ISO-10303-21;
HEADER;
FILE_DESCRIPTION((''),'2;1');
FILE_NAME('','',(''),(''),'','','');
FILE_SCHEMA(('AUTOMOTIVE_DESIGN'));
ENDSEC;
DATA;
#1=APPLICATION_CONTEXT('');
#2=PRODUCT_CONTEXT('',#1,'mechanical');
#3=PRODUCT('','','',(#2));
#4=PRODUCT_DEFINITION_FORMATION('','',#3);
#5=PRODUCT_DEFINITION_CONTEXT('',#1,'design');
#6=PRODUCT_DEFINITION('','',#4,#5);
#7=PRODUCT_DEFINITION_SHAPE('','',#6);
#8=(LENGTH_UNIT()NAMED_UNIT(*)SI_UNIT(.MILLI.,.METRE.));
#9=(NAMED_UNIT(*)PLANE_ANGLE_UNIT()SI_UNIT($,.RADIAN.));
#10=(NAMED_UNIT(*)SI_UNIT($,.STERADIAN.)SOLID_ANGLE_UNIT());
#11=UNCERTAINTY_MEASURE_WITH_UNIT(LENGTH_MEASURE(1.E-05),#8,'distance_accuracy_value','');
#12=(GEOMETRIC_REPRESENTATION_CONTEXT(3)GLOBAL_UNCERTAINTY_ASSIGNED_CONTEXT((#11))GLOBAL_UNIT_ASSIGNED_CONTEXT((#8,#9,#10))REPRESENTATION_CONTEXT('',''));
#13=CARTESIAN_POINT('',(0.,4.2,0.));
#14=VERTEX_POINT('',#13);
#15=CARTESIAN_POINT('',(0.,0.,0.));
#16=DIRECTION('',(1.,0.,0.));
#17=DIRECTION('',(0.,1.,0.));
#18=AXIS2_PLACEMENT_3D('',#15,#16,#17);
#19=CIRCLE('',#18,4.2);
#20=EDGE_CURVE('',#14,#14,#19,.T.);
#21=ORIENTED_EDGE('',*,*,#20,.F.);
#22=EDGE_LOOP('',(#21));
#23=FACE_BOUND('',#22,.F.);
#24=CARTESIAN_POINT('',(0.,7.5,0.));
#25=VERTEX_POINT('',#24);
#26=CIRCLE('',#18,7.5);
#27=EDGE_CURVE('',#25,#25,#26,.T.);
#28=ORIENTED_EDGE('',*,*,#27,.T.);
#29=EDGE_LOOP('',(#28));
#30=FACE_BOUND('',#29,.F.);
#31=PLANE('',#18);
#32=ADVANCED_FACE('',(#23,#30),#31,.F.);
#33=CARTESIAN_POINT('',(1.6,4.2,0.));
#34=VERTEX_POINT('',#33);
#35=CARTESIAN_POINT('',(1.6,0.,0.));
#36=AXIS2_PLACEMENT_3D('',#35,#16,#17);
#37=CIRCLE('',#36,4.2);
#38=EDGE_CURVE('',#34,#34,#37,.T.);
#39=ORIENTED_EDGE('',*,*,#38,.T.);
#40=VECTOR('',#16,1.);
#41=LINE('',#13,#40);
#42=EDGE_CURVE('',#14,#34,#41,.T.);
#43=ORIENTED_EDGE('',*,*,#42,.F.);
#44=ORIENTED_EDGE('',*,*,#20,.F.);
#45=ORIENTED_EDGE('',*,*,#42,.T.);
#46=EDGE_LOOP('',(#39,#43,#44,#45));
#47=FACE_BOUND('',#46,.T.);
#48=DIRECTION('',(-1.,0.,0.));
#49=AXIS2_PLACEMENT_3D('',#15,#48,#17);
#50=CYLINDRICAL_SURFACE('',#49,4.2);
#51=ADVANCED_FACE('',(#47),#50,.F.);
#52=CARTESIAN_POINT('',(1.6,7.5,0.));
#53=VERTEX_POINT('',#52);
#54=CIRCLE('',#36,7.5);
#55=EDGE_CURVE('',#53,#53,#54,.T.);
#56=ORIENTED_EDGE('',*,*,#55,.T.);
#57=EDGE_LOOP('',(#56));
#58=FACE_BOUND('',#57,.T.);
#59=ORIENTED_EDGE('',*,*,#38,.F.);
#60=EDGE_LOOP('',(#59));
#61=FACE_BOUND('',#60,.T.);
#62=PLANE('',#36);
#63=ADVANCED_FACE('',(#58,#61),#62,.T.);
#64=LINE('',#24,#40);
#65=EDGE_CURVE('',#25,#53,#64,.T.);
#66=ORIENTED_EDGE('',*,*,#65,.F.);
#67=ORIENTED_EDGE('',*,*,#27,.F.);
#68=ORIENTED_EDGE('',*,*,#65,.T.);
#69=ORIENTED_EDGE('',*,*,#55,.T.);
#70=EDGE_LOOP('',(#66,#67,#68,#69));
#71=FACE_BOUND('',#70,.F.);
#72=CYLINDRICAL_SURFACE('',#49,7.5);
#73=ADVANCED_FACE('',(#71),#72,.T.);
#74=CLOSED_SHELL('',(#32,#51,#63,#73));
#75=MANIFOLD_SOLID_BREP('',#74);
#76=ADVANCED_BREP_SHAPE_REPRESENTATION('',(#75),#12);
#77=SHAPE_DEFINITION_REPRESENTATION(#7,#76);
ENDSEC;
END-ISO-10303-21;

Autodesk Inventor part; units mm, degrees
ref_plane "YZ Plane" through (0, 0, 0) normal (1, 0, 0) x (0, 1, 0)
ref_plane "XZ Plane" through (0, 0, 0) normal (0, 1, 0) x (-1, 0, 0)
sketch "Skizze" plane through (0, 0, 0) normal (1, 0, 0) x (0, 1, 0)
  circle A0 centre (0, 0) radius 7.5
  circle A1 centre (0, 0) radius 4.2
  dimension "d0" = 8.4
  dimension "d1" = 15
extrude "Körper" add sketch "Skizze" along normal blind 1.6
ref_plane "Work Plane1" through (0, 0, 0) normal (0, 0, 1) x (1, 0, 0)
equation "\"d0\" = SD1"
equation "\"d1\" = SD2"
equation "\"d2\" = SD"
equation "\"SD1\" = 8.4"
equation "\"SD2\" = 15"
equation "\"SD\" = 1.6"
equation "\"NND\" = 8"
properties part number "DIN 433 - 8,4" material "Stahl, weich"
